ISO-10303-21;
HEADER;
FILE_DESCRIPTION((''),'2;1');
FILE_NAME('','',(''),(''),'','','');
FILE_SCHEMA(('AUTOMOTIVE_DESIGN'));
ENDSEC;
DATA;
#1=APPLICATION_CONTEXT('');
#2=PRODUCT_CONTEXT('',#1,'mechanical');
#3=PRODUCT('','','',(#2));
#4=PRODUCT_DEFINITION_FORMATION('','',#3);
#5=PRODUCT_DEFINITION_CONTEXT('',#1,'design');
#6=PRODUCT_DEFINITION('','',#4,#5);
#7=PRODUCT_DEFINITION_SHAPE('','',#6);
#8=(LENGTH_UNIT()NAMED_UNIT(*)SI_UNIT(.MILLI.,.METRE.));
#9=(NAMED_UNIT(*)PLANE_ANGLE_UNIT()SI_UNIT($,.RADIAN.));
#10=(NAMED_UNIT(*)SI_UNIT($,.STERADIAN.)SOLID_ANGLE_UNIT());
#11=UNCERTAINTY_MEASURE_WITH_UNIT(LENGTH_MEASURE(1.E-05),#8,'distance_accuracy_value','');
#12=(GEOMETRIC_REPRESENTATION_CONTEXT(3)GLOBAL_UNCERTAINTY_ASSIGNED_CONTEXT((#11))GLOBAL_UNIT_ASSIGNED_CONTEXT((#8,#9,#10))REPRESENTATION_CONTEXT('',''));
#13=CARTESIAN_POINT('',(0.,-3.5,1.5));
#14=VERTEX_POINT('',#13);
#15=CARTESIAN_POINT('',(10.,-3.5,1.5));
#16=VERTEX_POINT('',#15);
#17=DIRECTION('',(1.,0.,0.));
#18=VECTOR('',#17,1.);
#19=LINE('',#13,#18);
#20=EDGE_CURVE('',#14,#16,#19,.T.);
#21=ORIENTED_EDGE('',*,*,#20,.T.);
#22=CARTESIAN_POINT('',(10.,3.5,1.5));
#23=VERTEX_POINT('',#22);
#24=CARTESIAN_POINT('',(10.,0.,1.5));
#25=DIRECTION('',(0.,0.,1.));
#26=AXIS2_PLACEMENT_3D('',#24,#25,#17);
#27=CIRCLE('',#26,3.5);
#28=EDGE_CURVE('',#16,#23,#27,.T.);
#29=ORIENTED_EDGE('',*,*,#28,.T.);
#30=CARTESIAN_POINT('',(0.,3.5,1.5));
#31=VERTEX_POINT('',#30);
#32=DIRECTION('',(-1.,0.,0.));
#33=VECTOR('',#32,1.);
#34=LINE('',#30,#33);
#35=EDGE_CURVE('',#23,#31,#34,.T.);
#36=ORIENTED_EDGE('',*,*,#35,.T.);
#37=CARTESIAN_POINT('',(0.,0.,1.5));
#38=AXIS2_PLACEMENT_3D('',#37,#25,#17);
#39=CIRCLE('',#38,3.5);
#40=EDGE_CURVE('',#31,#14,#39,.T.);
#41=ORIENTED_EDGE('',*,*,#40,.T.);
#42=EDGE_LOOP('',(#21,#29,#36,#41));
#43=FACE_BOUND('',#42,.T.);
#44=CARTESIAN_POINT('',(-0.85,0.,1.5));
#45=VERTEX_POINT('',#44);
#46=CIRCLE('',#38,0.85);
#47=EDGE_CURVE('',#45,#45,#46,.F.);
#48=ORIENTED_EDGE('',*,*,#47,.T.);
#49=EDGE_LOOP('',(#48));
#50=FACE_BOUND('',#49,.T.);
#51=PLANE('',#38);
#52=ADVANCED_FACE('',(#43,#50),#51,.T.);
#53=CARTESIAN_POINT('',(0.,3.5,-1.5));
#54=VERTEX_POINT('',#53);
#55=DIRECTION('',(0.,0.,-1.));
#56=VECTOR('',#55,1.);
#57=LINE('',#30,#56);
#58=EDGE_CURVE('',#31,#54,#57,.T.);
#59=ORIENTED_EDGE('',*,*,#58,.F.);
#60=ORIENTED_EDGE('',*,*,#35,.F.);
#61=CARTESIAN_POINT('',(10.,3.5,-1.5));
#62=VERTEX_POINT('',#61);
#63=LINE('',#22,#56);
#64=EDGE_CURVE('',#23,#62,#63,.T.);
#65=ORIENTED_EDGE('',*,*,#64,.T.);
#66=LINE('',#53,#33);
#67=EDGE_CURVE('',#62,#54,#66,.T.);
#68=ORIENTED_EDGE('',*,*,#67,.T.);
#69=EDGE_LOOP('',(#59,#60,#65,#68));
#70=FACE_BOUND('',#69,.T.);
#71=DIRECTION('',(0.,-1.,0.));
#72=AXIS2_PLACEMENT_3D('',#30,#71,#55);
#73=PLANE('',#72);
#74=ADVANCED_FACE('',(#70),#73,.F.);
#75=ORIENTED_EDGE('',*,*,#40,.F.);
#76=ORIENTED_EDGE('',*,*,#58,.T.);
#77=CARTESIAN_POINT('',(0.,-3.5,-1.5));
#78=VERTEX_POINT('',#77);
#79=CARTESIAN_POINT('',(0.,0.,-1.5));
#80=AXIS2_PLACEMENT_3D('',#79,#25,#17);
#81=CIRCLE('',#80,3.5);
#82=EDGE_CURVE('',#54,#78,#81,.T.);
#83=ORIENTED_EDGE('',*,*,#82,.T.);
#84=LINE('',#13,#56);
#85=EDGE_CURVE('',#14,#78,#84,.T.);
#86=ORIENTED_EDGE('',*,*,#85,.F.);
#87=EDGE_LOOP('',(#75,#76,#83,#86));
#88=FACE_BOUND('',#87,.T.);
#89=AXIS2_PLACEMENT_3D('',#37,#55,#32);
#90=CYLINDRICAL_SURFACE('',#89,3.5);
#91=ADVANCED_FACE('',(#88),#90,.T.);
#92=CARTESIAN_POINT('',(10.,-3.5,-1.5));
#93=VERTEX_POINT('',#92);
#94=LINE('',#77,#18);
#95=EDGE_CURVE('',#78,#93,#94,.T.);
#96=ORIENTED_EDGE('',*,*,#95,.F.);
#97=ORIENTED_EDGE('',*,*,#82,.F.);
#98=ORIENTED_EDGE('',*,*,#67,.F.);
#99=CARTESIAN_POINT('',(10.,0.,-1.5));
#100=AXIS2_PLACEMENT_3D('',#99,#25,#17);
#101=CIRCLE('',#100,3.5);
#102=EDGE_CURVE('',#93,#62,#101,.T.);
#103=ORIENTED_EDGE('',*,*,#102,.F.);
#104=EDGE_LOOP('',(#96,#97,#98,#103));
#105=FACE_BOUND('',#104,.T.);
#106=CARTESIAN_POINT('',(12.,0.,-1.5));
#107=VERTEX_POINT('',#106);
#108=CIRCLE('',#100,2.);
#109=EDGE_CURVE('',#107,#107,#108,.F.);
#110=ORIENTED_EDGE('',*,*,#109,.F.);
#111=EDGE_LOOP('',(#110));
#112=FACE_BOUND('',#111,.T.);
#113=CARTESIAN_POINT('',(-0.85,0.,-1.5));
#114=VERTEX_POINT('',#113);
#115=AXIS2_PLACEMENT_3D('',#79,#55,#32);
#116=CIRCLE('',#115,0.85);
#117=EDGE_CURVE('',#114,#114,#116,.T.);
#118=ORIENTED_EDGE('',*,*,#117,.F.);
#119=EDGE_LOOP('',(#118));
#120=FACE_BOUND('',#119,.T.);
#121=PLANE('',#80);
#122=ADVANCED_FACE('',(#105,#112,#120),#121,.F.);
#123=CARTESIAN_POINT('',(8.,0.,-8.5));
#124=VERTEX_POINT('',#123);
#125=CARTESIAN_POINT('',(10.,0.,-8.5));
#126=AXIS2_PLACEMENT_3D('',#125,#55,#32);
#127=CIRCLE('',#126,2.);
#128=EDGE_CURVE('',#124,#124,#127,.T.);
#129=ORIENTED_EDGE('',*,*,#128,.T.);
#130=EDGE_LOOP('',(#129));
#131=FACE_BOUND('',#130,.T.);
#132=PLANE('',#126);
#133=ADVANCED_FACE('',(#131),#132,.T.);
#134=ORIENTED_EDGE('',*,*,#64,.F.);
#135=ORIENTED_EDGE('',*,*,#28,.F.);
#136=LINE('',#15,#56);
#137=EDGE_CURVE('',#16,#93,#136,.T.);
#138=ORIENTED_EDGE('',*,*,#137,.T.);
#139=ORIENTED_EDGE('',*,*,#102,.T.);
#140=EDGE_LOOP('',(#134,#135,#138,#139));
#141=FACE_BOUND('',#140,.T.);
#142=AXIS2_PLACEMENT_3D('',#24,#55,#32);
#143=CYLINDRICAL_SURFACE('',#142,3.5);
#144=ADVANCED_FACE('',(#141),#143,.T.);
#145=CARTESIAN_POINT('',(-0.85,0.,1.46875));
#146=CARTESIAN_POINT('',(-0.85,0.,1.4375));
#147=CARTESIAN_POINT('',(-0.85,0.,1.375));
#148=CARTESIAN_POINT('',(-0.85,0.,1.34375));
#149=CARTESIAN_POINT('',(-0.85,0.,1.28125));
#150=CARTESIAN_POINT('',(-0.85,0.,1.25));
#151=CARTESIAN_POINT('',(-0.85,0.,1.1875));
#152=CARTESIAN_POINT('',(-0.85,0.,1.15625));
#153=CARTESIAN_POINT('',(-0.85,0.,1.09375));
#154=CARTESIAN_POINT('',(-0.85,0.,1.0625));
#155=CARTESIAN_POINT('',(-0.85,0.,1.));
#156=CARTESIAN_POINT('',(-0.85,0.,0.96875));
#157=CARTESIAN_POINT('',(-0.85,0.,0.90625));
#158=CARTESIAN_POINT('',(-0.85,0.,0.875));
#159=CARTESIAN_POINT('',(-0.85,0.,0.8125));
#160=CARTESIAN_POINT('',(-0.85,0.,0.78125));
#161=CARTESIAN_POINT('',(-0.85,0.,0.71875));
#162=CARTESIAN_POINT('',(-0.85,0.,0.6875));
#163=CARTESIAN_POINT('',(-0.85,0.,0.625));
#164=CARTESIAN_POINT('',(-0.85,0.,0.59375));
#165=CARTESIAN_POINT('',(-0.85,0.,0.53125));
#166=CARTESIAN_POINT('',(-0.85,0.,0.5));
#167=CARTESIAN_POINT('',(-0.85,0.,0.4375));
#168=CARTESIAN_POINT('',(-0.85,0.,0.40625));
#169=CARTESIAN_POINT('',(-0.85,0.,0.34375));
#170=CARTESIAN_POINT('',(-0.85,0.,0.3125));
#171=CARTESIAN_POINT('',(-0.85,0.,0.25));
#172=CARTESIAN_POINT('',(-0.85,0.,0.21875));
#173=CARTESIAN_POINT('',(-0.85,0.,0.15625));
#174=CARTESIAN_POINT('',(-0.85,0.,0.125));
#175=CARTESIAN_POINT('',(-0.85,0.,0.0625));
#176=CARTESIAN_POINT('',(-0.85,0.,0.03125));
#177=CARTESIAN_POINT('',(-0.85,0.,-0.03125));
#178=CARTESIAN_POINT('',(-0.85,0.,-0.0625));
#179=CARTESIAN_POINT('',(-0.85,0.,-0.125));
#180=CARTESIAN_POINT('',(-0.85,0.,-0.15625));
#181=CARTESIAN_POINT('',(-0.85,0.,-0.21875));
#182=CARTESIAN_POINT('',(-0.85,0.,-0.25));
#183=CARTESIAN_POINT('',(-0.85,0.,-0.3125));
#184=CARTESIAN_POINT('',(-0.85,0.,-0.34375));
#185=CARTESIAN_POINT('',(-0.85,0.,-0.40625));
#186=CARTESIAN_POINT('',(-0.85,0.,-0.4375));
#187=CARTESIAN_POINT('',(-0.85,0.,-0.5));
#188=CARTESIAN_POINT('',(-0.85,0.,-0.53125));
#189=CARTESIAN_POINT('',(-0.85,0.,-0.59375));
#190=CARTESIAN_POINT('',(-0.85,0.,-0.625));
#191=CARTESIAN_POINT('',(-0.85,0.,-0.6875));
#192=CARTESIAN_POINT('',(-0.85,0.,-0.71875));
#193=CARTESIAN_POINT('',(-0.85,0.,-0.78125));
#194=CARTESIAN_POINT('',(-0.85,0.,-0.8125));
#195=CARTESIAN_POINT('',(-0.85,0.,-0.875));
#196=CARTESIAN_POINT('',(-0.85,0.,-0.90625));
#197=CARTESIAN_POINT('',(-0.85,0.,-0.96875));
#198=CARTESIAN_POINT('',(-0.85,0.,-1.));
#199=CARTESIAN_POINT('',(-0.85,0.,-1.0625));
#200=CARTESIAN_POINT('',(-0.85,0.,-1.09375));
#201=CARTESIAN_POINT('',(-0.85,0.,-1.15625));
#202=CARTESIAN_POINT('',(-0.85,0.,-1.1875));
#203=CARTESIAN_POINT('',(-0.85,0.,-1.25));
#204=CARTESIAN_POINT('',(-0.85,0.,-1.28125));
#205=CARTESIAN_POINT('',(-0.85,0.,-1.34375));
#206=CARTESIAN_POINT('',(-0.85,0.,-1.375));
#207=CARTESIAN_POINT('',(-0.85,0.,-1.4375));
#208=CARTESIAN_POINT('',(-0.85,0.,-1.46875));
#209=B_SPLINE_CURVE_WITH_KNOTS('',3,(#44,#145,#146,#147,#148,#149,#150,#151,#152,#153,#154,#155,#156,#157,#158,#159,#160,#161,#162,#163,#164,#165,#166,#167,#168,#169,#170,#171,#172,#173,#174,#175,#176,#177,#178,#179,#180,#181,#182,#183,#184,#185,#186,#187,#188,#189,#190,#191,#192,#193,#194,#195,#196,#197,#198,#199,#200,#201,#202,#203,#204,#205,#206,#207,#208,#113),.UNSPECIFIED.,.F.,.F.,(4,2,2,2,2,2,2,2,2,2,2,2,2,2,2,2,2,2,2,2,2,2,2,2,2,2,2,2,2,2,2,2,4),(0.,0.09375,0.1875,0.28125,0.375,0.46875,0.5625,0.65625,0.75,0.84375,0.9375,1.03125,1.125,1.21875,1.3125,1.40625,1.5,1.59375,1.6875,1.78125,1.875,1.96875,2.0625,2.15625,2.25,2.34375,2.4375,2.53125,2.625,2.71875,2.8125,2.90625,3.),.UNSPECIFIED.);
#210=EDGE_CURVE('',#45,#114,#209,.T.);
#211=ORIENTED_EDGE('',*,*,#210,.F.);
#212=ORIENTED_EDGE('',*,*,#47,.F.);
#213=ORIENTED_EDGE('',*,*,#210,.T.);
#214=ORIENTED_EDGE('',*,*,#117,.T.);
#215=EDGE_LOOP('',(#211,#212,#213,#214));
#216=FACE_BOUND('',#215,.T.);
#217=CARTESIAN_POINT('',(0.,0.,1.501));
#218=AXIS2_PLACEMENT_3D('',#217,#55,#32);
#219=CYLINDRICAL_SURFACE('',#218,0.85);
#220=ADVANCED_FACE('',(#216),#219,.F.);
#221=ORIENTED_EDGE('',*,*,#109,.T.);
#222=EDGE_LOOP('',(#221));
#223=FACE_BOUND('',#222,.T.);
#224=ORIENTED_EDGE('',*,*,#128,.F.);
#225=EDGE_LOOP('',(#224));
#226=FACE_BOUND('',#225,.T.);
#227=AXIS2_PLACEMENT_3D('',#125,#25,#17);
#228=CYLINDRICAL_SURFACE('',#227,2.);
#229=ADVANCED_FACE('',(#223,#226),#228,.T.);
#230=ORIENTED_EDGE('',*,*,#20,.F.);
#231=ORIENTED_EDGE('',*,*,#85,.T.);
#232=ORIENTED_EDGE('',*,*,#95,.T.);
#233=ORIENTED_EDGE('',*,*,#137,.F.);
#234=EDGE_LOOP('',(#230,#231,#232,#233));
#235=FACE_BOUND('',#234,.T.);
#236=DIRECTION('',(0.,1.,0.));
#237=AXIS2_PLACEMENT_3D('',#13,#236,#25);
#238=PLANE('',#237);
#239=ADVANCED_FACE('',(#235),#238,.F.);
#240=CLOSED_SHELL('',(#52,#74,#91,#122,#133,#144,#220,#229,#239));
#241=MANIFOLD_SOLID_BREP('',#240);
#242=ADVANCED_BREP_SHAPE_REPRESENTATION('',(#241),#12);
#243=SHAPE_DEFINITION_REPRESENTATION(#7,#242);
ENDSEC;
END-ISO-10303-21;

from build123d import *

# Parameters (mm, degrees)
RESSALTO_EXTRUS_O1_DEPTH = 1.5
ESBO_O2_R                = 2
RESSALTO_EXTRUS_O2_DEPTH = 7
CORTE_EXTRUS_O1_REACH    = 17.604
ESBO_O3_R                = 0.85


with BuildPart() as part:
    # Esboço1 → Ressalto-extrusão1 (new, symmetric)
    with BuildSketch(Plane.XY):
        with BuildLine():
            Line((0, 3.5), (10, 3.5))
            ThreePointArc((10, 3.5), (13.5, 0), (10, -3.5))
            Line((10, -3.5), (0, -3.5))
            ThreePointArc((0, -3.5), (-3.5, 0), (0, 3.5))
        make_face()
    extrude(amount=RESSALTO_EXTRUS_O1_DEPTH, both=True)

    # Esboço2 → Ressalto-extrusão2 (add)
    with BuildSketch(Plane(origin=(0, 0, -1.5), x_dir=(-1, 0, 0), z_dir=(0, 0, -1))):
        with Locations(Location((-10, 0, 0), (0, 0, 180))):
            Circle(ESBO_O2_R)
    extrude(amount=RESSALTO_EXTRUS_O2_DEPTH)

    # Esboço3 → Corte-extrusão1 (cut, up to next)
    with BuildSketch(Plane(origin=(0, 0, -1.5), x_dir=(-1, 0, 0), z_dir=(0, 0, -1)), mode=Mode.PRIVATE) as corte_extrus_o1_sk1:
        Circle(ESBO_O3_R)
    corte_extrus_o1_tool1 = extrude(corte_extrus_o1_sk1.sketch, amount=-CORTE_EXTRUS_O1_REACH, mode=Mode.PRIVATE) & part.part
    add(corte_extrus_o1_tool1.solids().sort_by_distance((0, 0, -1.5))[0], mode=Mode.SUBTRACT)


solid = part.part
